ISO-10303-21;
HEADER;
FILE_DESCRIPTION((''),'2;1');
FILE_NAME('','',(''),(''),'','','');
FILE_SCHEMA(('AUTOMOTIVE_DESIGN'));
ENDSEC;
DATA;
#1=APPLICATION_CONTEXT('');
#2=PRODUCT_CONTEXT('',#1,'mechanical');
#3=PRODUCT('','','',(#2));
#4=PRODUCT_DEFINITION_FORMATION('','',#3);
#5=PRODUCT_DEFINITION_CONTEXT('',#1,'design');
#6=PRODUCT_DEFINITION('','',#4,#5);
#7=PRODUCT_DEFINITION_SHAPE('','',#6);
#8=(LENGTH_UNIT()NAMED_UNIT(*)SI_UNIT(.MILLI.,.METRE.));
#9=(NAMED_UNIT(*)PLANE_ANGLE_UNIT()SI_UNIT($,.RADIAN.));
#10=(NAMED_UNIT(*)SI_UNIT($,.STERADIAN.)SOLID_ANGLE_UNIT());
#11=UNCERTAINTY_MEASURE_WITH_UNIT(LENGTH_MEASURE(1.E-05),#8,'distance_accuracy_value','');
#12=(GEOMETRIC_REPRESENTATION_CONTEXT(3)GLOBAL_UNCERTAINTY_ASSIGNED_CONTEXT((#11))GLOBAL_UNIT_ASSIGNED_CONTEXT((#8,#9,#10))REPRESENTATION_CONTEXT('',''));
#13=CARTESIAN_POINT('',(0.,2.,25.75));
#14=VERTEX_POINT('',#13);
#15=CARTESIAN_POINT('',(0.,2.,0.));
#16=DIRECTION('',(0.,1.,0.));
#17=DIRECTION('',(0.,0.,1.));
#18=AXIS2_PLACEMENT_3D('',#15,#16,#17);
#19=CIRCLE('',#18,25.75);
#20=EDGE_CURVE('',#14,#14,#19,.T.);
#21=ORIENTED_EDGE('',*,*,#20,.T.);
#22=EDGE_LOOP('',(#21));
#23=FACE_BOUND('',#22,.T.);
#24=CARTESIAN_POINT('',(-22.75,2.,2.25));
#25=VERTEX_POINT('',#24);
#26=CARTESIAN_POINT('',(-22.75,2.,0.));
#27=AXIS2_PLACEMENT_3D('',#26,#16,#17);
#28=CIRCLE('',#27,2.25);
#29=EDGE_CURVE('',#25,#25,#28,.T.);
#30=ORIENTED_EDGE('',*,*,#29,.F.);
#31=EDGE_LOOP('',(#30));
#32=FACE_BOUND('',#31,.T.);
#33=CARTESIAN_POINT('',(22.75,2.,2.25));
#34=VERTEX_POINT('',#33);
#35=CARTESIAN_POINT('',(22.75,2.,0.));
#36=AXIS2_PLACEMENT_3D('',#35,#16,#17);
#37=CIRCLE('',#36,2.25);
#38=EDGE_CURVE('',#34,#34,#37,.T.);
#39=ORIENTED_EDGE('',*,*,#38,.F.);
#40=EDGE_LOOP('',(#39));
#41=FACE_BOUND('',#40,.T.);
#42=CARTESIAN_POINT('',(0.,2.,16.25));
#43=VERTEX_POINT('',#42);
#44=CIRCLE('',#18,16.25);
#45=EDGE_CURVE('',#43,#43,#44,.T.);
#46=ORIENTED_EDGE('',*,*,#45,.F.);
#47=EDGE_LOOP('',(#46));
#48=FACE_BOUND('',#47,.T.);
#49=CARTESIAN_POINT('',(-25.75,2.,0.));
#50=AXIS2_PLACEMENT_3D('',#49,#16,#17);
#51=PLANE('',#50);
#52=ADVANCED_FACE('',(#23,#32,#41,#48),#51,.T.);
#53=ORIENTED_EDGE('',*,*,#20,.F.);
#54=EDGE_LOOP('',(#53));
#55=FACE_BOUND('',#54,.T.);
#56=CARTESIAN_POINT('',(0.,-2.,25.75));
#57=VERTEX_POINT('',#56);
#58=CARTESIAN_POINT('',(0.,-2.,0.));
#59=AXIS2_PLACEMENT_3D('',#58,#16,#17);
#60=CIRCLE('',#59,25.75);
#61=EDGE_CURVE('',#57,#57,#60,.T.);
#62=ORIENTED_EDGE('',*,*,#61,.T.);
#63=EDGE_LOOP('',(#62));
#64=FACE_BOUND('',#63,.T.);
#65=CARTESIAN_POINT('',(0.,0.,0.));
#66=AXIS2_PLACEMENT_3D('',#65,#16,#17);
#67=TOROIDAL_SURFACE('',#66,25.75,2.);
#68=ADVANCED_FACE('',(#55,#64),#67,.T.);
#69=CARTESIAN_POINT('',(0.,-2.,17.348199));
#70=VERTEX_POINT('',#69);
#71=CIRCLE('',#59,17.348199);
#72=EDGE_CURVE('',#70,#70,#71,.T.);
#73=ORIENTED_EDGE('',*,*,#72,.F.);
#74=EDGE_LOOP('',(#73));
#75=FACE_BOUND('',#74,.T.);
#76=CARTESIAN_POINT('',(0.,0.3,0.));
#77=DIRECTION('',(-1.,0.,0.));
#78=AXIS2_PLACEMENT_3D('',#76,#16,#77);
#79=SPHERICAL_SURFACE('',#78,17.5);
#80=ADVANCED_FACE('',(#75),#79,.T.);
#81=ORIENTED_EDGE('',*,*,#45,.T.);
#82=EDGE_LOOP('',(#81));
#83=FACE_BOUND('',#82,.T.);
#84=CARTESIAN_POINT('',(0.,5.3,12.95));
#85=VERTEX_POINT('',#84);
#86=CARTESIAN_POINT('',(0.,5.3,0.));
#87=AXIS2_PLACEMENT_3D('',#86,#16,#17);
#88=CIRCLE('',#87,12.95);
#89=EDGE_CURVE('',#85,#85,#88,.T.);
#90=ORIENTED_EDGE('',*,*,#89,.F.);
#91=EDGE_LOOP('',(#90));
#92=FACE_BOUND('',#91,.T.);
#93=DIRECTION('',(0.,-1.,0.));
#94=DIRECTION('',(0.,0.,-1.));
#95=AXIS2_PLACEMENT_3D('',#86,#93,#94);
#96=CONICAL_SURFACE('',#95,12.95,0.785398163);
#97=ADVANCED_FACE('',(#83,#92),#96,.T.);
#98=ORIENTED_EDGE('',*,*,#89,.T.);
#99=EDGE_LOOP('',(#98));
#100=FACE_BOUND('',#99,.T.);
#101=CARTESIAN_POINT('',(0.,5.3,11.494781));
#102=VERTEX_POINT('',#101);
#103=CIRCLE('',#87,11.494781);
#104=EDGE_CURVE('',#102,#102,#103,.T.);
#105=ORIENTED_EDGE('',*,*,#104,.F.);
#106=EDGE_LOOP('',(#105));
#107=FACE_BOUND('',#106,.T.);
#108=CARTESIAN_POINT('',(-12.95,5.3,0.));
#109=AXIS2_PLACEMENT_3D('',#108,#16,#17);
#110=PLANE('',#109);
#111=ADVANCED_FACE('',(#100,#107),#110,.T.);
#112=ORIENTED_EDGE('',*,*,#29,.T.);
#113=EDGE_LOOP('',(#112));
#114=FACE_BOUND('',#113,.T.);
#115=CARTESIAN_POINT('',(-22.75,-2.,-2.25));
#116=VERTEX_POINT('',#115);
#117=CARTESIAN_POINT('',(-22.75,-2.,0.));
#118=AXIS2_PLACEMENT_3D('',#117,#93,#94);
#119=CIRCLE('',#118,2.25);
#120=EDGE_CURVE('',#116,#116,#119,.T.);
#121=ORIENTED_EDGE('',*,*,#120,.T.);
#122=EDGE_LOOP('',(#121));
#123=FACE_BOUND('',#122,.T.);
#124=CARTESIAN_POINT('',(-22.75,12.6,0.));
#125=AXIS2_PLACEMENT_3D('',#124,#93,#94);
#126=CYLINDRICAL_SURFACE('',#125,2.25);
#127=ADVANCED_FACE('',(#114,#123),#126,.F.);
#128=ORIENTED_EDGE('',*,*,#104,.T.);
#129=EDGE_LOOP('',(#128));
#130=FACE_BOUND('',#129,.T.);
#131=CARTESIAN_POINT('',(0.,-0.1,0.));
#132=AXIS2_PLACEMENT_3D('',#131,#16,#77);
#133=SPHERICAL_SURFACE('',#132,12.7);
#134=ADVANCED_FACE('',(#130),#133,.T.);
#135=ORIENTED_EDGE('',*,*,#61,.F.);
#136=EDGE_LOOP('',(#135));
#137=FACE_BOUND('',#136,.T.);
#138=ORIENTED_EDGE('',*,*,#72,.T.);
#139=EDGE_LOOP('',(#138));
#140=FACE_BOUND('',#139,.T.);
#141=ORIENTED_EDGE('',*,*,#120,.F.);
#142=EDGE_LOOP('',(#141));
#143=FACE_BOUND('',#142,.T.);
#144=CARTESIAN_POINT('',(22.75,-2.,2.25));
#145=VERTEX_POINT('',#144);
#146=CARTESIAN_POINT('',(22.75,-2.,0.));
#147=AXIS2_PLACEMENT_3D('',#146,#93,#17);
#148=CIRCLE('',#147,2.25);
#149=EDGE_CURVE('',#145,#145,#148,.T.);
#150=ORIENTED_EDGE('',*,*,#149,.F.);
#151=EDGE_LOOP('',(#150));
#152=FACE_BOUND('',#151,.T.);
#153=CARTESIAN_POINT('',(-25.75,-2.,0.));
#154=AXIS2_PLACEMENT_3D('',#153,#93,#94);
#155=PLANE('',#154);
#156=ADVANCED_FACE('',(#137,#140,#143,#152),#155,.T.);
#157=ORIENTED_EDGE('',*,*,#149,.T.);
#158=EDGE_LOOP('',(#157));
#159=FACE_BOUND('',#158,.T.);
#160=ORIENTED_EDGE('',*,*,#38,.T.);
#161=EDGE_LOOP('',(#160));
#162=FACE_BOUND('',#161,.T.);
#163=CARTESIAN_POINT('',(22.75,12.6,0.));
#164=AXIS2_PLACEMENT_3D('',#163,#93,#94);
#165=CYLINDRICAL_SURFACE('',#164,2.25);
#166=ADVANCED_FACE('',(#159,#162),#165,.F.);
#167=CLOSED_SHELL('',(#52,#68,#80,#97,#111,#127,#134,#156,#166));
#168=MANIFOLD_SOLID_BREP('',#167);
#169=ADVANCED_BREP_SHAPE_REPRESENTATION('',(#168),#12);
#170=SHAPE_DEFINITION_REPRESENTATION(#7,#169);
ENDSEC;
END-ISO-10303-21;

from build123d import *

# Parameters (mm, degrees)
SKETCH_2_R          = 2.25
CUT_EXTRUDE_1_DEPTH = 43.085211311


with BuildPart() as part:
    # ｽｹｯﾁ1 → 回転1 (revolve)
    with BuildSketch(Plane.XY, mode=Mode.PRIVATE) as revolve_1_sk:
        with BuildLine():
            Line((-25.75, 2), (-16.25, 2))
            Line((-16.25, 2), (-12.95, 5.3))
            Line((-12.95, 5.3), (-11.494781425, 5.3))
            ThreePointArc((-11.494781425, 5.3), (-6.808450631, 10.620774226), (0, 12.6))
            Line((0, 12.6), (0, -17.2))
            ThreePointArc((0, -17.2), (-11.532562595, -12.862446581), (-17.348198754, -2))
            Line((-17.348198754, -2), (-25.75, -2))
            ThreePointArc((-25.75, -2), (-27.75, 0), (-25.75, 2))
        make_face()
    revolve(revolve_1_sk.sketch.rotate(Axis((0, 0, 0), (0, -1, 0)), 270), axis=Axis((0, 0, 0), (0, -1, 0)))

    # ｽｹｯﾁ2 → ｶｯﾄ - 押し出し1 (cut, through all)
    with BuildSketch(Plane.XZ.offset(2)):
        with Locations(Location((-22.75, 0, 0), (0, 0, 270))):
            Circle(SKETCH_2_R)
        with Locations(Location((22.75, 0, 0), (0, 0, 90))):
            Circle(SKETCH_2_R)
    extrude(amount=-CUT_EXTRUDE_1_DEPTH, mode=Mode.SUBTRACT)


solid = part.part
